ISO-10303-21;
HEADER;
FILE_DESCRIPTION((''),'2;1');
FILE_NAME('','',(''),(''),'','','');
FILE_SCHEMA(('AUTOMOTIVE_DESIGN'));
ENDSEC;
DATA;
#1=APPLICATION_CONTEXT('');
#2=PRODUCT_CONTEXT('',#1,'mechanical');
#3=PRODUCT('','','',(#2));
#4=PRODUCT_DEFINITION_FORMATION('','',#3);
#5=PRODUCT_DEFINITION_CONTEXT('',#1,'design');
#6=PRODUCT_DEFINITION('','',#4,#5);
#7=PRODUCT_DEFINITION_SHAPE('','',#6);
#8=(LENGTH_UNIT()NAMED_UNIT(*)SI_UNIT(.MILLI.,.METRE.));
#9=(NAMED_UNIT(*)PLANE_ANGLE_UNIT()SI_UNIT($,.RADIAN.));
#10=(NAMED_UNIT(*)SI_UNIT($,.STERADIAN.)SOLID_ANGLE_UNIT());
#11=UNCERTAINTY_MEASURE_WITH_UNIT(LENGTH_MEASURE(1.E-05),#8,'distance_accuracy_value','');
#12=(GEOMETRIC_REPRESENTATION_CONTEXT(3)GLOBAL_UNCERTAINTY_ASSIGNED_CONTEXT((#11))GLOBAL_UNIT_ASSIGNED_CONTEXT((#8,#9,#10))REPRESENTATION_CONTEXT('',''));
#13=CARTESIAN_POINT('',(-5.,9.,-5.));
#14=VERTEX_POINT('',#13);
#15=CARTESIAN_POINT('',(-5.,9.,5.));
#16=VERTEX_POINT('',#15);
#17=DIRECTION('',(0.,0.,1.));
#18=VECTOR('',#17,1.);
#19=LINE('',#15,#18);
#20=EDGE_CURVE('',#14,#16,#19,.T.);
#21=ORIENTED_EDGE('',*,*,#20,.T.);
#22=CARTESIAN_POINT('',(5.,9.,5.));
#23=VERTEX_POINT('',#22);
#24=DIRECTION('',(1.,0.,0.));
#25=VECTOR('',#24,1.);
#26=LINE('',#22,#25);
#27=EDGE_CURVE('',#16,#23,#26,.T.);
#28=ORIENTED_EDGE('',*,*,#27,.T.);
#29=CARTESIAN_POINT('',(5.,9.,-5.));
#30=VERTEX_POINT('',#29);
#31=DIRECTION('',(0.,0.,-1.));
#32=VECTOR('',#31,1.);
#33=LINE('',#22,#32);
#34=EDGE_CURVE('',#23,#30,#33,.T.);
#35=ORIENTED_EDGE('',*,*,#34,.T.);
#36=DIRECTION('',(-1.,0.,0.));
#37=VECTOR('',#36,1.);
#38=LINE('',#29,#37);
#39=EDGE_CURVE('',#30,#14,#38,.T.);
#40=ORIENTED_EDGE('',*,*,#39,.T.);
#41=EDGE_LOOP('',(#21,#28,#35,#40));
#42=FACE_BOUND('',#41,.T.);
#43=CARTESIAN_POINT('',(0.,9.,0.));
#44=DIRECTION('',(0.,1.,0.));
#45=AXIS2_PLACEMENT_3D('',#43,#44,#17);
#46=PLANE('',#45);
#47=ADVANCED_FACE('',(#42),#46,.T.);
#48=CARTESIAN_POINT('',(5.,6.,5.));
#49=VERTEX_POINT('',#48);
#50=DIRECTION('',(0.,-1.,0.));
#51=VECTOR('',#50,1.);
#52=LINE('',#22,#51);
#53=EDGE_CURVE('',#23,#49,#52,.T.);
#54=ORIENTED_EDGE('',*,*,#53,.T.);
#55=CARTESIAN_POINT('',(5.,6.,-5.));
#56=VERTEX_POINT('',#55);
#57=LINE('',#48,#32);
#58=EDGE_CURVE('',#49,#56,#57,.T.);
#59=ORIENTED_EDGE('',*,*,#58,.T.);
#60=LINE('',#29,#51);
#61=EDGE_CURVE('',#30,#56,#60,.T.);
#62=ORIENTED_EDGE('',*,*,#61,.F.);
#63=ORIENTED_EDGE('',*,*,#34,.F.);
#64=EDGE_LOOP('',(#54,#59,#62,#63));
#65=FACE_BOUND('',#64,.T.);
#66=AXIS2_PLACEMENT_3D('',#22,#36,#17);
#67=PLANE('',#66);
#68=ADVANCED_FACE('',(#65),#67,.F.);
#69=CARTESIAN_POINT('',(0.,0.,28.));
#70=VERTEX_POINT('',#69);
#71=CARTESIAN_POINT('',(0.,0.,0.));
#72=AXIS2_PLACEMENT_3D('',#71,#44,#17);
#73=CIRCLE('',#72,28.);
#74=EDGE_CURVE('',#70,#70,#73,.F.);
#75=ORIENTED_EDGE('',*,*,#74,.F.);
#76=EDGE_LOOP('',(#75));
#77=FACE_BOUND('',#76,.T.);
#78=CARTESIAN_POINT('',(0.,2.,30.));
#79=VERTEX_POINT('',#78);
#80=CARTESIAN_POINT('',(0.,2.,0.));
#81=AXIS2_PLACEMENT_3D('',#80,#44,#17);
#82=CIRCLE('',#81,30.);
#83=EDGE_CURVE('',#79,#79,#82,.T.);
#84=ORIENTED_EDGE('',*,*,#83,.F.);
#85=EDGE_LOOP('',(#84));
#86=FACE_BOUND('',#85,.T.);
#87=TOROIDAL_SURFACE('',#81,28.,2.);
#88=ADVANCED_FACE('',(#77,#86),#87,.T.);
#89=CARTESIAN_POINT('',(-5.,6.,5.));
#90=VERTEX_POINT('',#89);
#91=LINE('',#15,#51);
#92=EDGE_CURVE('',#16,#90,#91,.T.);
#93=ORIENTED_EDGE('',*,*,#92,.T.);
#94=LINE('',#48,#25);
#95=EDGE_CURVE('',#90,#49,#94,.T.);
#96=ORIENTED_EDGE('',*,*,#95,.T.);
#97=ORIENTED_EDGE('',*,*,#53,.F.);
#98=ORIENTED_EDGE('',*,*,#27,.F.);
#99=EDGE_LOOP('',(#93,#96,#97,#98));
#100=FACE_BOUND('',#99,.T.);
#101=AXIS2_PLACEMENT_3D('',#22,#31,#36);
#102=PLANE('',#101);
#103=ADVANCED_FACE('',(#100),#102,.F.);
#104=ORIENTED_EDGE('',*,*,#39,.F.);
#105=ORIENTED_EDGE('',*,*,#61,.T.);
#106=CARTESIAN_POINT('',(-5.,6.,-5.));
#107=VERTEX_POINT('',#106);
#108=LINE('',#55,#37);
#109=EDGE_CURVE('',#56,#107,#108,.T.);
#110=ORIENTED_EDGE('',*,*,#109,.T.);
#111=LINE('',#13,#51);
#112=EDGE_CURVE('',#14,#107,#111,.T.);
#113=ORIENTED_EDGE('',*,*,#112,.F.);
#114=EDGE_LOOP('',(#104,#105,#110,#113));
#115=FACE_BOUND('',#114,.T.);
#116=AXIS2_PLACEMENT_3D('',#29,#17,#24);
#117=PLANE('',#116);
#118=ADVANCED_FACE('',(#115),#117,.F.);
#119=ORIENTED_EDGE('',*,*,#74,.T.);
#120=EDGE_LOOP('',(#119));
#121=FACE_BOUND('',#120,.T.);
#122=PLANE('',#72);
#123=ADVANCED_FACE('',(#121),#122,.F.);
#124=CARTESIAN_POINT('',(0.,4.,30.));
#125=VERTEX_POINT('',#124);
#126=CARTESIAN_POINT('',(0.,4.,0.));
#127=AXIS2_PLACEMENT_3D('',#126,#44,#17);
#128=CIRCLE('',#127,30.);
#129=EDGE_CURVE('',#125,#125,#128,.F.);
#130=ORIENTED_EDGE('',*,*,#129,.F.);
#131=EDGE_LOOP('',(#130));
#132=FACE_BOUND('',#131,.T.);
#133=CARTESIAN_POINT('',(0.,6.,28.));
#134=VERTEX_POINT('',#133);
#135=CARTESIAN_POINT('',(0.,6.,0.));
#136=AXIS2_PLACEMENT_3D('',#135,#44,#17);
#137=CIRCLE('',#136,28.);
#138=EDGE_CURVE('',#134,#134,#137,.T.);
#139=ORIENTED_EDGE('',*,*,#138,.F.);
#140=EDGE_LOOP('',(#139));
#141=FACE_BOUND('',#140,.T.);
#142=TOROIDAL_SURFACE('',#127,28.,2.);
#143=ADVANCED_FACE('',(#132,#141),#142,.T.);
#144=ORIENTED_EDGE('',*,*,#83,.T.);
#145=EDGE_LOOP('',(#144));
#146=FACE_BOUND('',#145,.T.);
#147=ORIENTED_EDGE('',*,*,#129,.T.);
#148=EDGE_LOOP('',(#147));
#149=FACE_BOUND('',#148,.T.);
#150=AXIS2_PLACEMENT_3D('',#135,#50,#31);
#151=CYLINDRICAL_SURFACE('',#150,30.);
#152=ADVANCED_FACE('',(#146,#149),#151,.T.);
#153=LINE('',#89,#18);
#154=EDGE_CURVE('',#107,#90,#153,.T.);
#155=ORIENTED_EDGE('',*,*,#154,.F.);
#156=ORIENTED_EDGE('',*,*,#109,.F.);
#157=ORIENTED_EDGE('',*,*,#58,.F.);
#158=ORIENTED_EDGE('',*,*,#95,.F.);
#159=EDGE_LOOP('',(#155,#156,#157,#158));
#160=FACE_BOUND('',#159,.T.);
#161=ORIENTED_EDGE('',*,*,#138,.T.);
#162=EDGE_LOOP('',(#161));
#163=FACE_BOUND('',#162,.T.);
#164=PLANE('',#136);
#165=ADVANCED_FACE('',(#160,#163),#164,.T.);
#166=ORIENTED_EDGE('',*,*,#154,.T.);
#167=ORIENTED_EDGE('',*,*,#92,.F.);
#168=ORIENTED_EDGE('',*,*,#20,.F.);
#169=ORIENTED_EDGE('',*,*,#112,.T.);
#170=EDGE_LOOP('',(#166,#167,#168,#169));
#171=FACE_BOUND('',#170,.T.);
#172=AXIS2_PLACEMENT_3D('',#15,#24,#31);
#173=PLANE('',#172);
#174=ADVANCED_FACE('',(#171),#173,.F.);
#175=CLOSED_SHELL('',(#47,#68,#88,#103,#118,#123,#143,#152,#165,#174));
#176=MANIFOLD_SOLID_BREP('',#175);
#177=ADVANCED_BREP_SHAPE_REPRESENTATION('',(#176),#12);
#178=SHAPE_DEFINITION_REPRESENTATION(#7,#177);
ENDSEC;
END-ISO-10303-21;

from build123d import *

# Parameters (mm, degrees)
SKETCH1_R           = 30
BOSS_EXTRUDE1_DEPTH = 6
FILLET2_R           = 2
SKETCH3_W           = 10
SKETCH3_H           = 10
BOSS_EXTRUDE3_DEPTH = 3


with BuildPart() as part:
    # Sketch1 → Boss-Extrude1 (new body)
    with BuildSketch(Plane(origin=(0, 0, 0), x_dir=(1, 0, 0), z_dir=(0, 1, 0))):
        with Locations(Location((0, 0, 0), (0, 0, 270))):
            Circle(SKETCH1_R)
    extrude(amount=BOSS_EXTRUDE1_DEPTH)

    # Fillet2
    fillet2_edges = [part.edges().sort_by_distance(p)[0] for p in [
        (0, 0, -30),
        (0, 6, -30),
    ]]
    fillet(fillet2_edges, radius=FILLET2_R)

    # Sketch3 → Boss-Extrude3 (add)
    with BuildSketch(Plane(origin=(0, 6, 0), x_dir=(1, 0, 0), z_dir=(0, 1, 0))):
        Rectangle(SKETCH3_W, SKETCH3_H)
    extrude(amount=BOSS_EXTRUDE3_DEPTH)


solid = part.part
